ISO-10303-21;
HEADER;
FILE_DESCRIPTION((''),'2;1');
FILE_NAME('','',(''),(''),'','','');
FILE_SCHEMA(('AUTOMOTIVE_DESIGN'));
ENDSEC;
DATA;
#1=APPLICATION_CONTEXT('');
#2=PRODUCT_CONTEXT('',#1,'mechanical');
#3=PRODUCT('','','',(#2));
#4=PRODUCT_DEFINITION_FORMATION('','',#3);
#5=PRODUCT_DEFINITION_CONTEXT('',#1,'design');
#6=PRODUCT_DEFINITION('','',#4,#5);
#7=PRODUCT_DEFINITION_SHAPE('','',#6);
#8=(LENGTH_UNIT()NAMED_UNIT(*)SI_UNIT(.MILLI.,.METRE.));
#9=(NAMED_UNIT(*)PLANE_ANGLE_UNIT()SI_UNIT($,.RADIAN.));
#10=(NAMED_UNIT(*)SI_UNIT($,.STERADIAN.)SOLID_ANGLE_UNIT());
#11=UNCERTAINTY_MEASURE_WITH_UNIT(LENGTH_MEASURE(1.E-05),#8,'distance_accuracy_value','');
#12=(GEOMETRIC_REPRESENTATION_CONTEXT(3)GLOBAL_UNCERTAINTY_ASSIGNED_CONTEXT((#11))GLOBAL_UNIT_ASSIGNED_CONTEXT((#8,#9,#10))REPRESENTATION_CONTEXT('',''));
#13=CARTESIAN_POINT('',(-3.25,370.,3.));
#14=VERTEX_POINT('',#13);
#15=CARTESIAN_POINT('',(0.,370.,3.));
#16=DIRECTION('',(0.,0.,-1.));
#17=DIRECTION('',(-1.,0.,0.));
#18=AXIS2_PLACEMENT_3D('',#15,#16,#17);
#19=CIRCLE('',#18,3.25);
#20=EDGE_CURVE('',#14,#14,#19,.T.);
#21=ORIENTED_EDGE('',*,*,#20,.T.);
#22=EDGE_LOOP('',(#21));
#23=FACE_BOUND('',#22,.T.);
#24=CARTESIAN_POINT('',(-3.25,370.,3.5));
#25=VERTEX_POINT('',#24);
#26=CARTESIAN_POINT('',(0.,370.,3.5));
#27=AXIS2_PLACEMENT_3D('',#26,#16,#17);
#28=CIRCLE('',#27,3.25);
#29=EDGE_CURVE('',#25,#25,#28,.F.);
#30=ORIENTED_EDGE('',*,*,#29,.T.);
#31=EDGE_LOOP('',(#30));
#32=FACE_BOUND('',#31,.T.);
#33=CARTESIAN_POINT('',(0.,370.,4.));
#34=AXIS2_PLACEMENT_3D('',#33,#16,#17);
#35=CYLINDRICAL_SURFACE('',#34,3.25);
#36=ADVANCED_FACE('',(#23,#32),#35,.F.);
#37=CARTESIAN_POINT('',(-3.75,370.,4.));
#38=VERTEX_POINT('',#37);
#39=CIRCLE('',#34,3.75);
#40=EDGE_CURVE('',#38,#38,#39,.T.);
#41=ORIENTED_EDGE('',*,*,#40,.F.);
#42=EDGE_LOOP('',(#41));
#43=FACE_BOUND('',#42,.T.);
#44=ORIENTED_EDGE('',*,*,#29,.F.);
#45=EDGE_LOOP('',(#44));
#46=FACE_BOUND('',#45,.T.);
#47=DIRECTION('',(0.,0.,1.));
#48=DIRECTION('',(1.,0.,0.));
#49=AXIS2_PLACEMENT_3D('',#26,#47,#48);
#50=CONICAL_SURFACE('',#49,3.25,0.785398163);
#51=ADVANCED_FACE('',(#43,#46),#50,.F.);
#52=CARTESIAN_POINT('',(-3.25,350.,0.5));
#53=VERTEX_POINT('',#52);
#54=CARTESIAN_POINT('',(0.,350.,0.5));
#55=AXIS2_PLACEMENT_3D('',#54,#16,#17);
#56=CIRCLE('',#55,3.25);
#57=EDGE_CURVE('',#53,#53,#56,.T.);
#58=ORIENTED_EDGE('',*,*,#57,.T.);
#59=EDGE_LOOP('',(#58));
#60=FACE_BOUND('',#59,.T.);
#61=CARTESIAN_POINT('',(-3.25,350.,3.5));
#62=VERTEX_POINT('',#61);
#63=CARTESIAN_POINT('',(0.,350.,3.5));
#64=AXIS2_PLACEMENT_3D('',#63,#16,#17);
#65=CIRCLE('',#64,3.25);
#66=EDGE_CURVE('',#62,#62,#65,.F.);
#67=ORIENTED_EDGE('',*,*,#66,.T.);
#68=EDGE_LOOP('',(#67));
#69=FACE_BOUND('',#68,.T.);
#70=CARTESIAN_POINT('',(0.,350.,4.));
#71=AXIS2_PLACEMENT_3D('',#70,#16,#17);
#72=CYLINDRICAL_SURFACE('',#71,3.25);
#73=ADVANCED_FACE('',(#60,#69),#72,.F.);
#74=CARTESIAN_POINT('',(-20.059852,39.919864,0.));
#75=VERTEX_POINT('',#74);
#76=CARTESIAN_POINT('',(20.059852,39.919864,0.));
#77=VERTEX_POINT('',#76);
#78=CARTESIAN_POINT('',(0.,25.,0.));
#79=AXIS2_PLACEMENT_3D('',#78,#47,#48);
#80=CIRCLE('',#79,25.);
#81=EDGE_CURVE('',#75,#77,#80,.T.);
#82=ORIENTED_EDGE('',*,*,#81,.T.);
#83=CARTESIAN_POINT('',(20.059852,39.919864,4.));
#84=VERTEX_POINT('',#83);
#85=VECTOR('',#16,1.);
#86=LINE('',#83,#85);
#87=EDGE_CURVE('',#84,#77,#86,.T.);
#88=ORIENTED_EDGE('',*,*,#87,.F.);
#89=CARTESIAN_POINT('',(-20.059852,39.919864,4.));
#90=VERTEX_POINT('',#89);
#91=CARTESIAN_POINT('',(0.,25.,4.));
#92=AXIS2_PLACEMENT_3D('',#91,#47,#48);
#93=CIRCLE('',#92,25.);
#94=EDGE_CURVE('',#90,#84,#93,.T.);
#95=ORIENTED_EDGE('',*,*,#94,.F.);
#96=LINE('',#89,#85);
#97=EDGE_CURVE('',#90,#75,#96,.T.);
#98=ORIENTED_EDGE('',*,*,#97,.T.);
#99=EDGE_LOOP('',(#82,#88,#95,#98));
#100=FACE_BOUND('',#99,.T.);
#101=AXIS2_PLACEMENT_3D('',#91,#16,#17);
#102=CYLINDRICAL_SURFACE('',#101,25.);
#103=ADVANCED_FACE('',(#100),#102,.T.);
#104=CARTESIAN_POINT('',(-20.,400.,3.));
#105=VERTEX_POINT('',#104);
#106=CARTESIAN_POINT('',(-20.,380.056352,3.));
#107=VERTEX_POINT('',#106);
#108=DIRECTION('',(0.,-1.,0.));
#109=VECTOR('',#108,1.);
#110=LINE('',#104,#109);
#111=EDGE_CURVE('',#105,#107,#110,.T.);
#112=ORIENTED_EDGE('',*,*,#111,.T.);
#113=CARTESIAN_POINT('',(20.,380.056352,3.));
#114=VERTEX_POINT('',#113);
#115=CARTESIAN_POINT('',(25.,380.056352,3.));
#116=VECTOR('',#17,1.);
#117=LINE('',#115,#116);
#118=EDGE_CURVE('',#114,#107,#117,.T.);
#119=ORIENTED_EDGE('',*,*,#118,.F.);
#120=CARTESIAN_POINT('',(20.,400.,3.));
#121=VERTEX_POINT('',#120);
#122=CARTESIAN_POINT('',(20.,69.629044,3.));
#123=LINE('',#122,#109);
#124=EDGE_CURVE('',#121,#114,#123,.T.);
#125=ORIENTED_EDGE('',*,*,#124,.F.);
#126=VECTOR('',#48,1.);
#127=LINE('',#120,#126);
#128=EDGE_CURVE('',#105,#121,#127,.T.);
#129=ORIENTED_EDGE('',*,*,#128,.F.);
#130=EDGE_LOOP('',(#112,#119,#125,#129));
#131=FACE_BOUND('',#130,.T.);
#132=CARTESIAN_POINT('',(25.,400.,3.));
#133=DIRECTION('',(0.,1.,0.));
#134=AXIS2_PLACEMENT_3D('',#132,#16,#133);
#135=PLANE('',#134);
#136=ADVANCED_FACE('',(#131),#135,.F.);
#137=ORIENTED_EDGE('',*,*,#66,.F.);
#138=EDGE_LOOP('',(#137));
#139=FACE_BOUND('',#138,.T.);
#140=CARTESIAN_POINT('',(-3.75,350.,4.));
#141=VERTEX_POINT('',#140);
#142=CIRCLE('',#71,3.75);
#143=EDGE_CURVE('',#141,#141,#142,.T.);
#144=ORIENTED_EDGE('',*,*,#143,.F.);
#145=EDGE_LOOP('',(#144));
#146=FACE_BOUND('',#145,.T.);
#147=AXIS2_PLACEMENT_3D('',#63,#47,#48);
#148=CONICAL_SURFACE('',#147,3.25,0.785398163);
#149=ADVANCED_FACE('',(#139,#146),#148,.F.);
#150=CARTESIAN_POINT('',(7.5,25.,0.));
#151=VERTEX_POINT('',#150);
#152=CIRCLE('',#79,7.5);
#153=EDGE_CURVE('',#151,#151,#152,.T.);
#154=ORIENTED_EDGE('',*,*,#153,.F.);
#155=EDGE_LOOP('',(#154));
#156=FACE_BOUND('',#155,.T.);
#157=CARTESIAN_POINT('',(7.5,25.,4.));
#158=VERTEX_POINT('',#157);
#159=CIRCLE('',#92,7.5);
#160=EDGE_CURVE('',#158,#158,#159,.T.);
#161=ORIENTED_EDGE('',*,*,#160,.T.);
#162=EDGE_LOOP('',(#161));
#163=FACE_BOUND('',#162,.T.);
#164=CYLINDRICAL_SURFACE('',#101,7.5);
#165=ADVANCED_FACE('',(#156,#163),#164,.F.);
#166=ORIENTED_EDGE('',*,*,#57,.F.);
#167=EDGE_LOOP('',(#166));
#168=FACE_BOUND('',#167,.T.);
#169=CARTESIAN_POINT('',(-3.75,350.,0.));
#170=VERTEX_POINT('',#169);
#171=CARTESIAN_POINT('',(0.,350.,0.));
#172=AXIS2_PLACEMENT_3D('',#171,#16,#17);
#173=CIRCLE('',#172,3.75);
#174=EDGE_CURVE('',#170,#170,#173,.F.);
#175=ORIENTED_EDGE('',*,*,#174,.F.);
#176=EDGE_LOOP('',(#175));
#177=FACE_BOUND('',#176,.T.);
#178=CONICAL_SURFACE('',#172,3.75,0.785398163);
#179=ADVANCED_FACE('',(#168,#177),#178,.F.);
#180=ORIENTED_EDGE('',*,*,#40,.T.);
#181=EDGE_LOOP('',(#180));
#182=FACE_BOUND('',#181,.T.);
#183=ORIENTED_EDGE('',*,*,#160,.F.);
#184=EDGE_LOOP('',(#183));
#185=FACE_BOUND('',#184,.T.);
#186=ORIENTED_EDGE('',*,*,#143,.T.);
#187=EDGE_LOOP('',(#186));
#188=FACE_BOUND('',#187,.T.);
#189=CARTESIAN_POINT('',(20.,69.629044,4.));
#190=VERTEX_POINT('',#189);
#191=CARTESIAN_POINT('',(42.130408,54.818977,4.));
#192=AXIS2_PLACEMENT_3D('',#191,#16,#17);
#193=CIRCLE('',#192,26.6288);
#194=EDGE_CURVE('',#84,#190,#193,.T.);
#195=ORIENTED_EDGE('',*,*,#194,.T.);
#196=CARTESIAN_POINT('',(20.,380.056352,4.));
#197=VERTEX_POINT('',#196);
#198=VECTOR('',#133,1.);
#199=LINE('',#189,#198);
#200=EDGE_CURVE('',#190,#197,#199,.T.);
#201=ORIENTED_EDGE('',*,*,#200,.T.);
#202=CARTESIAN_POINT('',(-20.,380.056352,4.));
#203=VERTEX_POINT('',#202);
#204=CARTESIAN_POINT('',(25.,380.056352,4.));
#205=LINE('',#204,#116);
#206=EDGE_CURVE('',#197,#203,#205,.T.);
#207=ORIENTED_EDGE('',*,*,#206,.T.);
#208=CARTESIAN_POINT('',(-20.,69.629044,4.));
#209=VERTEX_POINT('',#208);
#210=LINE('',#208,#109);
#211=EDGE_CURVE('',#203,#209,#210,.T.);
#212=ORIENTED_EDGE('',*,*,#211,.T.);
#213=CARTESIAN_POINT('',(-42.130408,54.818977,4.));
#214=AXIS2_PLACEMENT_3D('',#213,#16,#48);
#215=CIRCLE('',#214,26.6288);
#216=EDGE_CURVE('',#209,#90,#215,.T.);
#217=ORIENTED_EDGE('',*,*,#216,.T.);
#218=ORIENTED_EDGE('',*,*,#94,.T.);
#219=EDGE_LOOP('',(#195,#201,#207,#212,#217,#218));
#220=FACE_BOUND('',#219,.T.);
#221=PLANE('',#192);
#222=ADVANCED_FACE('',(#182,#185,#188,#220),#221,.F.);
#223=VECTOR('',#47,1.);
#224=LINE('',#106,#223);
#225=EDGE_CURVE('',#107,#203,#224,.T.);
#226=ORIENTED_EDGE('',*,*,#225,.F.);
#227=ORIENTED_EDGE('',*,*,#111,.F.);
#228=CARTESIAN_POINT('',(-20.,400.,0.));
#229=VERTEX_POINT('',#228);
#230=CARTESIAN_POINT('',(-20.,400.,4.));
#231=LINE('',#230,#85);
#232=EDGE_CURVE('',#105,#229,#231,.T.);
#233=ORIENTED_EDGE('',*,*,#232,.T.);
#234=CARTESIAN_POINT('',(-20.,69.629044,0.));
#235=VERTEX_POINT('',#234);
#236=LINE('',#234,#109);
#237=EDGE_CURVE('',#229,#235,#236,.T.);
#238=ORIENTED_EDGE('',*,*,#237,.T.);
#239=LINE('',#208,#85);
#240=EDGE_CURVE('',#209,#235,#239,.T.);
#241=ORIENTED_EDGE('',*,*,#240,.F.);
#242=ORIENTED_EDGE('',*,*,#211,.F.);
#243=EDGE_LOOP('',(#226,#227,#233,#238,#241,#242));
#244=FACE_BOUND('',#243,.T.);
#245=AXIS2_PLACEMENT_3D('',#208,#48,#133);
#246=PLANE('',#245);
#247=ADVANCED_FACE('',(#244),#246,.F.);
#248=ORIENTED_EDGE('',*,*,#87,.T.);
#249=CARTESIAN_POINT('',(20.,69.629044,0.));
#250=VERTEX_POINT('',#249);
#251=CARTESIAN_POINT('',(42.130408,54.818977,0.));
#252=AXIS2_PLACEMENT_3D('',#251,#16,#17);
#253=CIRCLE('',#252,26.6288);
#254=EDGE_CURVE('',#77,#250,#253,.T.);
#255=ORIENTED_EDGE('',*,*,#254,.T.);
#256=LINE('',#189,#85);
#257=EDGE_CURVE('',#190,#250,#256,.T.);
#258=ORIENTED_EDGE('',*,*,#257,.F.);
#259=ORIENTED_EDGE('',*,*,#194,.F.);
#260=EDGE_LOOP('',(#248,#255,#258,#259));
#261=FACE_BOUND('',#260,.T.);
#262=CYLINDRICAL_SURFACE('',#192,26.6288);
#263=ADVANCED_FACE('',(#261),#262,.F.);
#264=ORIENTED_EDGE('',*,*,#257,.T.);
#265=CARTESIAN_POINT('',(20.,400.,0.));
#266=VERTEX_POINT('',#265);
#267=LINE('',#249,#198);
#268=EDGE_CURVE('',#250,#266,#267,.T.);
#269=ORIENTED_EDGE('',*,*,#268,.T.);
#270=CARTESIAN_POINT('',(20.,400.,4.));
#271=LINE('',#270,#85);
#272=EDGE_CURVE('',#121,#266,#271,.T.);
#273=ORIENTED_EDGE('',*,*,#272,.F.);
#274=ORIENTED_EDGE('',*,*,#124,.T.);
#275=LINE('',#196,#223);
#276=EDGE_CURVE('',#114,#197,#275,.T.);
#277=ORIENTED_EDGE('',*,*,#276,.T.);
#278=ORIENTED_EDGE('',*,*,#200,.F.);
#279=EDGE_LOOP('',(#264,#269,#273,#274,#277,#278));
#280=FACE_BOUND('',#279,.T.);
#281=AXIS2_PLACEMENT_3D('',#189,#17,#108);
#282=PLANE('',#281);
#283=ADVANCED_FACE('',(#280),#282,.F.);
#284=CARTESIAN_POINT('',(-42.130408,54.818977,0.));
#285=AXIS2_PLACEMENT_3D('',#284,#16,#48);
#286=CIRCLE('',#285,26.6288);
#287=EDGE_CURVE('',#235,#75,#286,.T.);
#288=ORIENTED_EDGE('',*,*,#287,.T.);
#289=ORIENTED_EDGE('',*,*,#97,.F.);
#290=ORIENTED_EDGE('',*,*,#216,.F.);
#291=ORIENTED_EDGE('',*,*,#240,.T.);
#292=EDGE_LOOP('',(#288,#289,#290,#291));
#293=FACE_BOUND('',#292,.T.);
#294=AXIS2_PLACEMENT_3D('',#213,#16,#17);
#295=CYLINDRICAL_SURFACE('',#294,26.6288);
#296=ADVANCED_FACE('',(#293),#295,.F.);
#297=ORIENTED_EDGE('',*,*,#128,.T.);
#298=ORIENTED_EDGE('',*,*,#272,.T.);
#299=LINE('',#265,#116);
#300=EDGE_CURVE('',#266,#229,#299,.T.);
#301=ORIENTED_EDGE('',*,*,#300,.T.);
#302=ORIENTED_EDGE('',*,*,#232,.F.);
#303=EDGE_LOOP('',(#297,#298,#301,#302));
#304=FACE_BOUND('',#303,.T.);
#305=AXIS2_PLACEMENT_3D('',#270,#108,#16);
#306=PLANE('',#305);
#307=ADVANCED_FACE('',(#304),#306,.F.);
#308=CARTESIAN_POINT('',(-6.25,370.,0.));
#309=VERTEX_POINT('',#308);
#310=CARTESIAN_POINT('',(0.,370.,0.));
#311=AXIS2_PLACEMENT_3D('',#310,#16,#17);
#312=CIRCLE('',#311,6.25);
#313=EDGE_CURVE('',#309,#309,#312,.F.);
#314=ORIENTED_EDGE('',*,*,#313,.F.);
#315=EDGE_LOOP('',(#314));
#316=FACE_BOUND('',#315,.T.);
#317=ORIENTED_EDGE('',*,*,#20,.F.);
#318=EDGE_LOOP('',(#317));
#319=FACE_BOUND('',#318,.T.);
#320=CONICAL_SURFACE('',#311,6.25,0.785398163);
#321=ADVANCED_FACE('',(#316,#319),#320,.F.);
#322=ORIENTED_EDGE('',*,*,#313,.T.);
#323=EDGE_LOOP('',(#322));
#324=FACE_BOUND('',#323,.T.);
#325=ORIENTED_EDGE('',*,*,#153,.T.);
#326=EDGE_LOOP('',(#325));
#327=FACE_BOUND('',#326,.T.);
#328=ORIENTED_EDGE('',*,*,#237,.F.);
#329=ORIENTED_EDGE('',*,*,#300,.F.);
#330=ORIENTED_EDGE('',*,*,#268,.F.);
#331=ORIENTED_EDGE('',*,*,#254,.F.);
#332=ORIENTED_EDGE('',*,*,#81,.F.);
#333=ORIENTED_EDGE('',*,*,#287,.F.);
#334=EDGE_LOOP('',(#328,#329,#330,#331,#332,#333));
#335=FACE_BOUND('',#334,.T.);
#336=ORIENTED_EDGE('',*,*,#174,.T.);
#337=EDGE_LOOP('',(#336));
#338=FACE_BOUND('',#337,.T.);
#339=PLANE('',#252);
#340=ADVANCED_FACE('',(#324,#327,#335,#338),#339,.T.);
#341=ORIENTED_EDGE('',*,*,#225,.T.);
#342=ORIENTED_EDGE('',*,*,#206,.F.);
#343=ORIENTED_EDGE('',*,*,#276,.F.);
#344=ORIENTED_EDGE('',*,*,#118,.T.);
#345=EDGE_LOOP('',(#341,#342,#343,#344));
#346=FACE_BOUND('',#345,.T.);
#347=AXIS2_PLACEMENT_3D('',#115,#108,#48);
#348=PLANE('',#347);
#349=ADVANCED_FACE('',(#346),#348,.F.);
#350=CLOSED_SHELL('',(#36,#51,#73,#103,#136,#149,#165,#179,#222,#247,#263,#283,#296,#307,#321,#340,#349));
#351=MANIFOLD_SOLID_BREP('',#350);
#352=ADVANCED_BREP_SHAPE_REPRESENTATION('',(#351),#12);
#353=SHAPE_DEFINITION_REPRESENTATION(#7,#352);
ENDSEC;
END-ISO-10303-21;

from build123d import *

# Parameters (mm, degrees)
SKETCH_1_R          = 3.25
SKETCH_1_R_2        = 7.5
EXTRUDE_1_DEPTH     = 4
SKETCH_2_W          = 1
SKETCH_2_H          = 19.943647813
CUT_EXTRUDE_1_DEPTH = 46
CHAMFER_1_SIZE      = 3
CHAMFER_2_SIZE      = 0.5


with BuildPart() as part:
    # Эскиз1 → Бобышка-Вытянуть1 (new body)
    with BuildSketch(Plane.XY):
        with BuildLine():
            Line((20, 69.629043508), (20, 400))
            Line((20, 400), (-20, 400))
            Line((-20, 400), (-20, 69.629043508))
            ThreePointArc((-20, 69.629043508), (-15.501661364, 54.765331367), (-20.05985163, 39.919864362))
            ThreePointArc((-20.05985163, 39.919864362), (0, 0), (20.05985163, 39.919864362))
            ThreePointArc((20.05985163, 39.919864362), (15.501661364, 54.765331367), (20, 69.629043508))
        make_face()
        with Locations((0, 370)):
            Circle(SKETCH_1_R, mode=Mode.SUBTRACT)
        with Locations((0, 350)):
            Circle(SKETCH_1_R, mode=Mode.SUBTRACT)
        with Locations((0, 25)):
            Circle(SKETCH_1_R_2, mode=Mode.SUBTRACT)
    extrude(amount=EXTRUDE_1_DEPTH)

    # Эскиз2 → Вырез-Вытянуть1 (cut, through all)
    with BuildSketch(Plane.ZY.offset(20)):
        with Locations((3.5, 390.028176094)):
            Rectangle(SKETCH_2_W, SKETCH_2_H)
    extrude(amount=-CUT_EXTRUDE_1_DEPTH, mode=Mode.SUBTRACT)

    # Фаска1
    chamfer_1_edges = [part.edges().sort_by_distance(p)[0] for p in [
        (-3.25, 370, 0),
    ]]
    chamfer(chamfer_1_edges, length=CHAMFER_1_SIZE)

    # Фаска2
    chamfer_2_edges = [part.edges().sort_by_distance(p)[0] for p in [
        (-3.25, 350, 0),
        (-3.25, 350, 4),
        (-3.25, 370, 4),
    ]]
    chamfer(chamfer_2_edges, length=CHAMFER_2_SIZE)


solid = part.part
